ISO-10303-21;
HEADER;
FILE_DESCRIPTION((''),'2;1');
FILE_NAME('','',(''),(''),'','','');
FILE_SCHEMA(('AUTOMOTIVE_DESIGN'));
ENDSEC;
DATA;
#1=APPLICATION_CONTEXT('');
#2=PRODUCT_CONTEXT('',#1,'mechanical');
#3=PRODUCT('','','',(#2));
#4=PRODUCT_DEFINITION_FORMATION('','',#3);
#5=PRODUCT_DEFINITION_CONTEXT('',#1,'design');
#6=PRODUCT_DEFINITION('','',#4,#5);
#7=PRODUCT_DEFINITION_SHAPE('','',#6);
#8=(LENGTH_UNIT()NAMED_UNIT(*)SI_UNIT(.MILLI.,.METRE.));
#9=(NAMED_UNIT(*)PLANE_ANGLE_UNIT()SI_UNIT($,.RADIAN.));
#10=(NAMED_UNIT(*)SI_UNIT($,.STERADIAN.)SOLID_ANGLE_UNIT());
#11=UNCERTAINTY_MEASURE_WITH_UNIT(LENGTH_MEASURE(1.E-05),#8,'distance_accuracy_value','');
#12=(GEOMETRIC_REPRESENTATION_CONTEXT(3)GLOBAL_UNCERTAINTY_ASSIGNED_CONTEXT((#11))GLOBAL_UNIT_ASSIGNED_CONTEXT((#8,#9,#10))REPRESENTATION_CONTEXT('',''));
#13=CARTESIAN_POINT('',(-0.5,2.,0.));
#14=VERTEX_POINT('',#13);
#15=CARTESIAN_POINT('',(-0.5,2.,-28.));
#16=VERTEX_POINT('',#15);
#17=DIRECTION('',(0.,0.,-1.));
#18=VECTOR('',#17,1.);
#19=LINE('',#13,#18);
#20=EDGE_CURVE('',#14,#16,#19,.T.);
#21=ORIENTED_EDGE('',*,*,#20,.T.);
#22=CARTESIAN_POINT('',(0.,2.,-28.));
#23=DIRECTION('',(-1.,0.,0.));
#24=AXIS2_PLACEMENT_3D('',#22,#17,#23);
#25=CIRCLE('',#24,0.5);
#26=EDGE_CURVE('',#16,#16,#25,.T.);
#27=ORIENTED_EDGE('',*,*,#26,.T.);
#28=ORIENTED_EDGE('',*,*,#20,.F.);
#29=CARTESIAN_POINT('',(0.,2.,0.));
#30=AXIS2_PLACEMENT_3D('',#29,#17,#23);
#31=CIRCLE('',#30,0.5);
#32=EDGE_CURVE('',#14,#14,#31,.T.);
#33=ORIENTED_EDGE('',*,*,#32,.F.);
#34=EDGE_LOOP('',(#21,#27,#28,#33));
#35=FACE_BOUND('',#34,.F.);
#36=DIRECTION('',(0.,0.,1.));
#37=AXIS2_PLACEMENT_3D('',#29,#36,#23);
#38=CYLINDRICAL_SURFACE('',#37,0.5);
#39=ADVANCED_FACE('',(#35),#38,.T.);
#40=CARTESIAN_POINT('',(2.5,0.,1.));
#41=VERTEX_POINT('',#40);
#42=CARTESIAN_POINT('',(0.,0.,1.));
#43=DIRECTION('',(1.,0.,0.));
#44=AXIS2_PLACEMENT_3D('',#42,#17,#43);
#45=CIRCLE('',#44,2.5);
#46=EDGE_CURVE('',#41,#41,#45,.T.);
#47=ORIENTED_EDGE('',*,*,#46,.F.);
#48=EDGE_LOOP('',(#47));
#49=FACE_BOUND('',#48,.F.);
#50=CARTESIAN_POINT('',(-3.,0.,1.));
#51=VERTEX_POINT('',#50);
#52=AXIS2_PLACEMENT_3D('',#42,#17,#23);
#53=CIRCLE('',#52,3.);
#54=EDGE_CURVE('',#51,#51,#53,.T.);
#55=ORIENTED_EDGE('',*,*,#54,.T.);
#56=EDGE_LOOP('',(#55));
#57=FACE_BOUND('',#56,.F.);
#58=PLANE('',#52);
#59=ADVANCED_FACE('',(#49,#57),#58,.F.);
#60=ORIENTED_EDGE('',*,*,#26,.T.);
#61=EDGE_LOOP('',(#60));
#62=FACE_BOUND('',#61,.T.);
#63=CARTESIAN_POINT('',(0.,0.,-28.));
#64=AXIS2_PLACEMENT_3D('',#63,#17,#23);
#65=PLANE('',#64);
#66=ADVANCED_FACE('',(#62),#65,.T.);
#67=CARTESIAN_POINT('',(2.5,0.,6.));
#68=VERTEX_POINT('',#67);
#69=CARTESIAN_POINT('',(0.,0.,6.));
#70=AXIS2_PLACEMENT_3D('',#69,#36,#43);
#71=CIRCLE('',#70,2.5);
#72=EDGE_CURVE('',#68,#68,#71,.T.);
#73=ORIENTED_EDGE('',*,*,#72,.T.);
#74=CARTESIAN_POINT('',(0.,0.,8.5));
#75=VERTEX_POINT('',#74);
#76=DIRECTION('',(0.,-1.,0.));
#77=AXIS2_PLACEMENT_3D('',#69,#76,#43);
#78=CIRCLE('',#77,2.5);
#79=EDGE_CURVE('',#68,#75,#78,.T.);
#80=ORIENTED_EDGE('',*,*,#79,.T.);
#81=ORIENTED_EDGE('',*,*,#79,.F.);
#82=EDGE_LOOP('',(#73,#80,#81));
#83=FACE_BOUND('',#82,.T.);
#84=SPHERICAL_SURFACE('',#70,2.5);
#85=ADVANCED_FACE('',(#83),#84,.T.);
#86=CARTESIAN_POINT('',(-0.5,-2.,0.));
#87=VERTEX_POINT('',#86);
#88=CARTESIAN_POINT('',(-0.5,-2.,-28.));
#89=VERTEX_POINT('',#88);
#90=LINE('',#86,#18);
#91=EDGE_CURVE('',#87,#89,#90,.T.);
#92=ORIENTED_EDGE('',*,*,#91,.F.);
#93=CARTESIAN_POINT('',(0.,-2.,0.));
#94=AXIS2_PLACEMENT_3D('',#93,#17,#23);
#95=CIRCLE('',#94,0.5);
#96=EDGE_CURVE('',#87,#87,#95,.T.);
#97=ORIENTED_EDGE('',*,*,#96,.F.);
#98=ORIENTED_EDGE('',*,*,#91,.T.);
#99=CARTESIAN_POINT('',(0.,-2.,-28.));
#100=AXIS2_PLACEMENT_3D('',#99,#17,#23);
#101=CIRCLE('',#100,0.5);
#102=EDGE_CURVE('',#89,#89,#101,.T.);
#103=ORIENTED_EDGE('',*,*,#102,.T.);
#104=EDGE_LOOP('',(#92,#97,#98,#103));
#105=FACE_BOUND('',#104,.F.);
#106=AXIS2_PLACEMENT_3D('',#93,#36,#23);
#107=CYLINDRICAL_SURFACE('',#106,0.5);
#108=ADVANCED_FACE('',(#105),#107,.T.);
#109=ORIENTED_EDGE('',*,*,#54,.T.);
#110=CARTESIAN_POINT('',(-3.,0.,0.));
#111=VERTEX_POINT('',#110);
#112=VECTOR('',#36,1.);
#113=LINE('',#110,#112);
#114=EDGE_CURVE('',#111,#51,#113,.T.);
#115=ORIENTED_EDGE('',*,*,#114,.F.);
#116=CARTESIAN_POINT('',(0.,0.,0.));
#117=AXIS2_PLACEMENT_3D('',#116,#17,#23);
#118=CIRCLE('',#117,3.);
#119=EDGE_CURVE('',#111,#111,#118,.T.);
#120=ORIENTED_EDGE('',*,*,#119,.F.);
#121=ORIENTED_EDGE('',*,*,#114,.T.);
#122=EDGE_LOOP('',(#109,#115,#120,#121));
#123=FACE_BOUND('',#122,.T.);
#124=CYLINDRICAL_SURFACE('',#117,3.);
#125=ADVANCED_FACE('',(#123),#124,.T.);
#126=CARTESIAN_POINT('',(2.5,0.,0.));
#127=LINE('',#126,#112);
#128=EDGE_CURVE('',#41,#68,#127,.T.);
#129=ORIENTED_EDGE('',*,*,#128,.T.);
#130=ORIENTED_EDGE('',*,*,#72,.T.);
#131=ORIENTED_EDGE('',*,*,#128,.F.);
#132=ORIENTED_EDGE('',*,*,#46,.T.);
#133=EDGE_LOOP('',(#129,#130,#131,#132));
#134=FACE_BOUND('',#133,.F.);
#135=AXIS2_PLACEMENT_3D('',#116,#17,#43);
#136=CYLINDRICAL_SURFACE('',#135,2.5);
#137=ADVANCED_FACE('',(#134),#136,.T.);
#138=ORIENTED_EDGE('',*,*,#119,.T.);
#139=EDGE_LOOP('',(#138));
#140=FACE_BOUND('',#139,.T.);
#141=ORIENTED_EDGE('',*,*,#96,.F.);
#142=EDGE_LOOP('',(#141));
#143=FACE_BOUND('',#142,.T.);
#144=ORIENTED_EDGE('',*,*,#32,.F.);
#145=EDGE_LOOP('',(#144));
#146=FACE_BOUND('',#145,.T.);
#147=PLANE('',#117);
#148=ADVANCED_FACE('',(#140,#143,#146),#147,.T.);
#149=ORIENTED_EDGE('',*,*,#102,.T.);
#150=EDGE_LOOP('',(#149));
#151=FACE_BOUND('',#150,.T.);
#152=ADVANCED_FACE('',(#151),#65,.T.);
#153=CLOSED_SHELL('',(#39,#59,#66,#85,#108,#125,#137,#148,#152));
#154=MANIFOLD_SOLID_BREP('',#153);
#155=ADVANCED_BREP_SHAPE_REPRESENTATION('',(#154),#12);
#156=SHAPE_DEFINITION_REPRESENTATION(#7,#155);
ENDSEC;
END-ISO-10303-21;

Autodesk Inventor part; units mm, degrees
ref_plane "YZ Plane" through (0, 0, 0) normal (1, 0, 0) x (0, 1, 0)
ref_plane "XZ Plane" through (0, 0, 0) normal (0, 1, 0) x (-1, 0, 0)
ref_plane "XY Plane" through (0, 0, 0) normal (0, 0, 1) x (1, 0, 0)
sketch "Skizze1" plane through (0, 0, 0) normal (0, 0, 1) x (1, 0, 0)
  circle A0 centre (0, 0) radius 2.5
  dimension "d0" = 5
extrude "Extrusion1" add sketch "Skizze1" along normal blind 8.5
fillet "Rundung1" radius 2.5 1 edges at (-2.5, 0, 8.5)
sketch "Skizze2" plane through (0, 0, 0) normal (0, 0, -1) x (-1, 0, 0)
  circle A0 centre (0, 0) radius 2.5 projected
  circle A1 centre (0, 0) radius 3
  dimension "d4" = 6
extrude "Extrusion2" add sketch "Skizze2" against normal blind 1
sketch "Skizze3" plane through (0, 0, 0) normal (0, 0, -1) x (-1, 0, 0)
  circle A0 centre (0, 0) radius 3 projected
  circle A1 centre (0, 2) radius 0.5
  circle A2 centre (0, -2) radius 0.5
  point P0 (0, 3)
  point P1 (0, -3)
  dimension "d7" = 1
  dimension "d8" = 1
  dimension "d9" = 1
  dimension "d10" = 1
extrude "Extrusion3" add sketch "Skizze3" along normal blind 28 contours A1 | A2
properties part number "LED´s"
